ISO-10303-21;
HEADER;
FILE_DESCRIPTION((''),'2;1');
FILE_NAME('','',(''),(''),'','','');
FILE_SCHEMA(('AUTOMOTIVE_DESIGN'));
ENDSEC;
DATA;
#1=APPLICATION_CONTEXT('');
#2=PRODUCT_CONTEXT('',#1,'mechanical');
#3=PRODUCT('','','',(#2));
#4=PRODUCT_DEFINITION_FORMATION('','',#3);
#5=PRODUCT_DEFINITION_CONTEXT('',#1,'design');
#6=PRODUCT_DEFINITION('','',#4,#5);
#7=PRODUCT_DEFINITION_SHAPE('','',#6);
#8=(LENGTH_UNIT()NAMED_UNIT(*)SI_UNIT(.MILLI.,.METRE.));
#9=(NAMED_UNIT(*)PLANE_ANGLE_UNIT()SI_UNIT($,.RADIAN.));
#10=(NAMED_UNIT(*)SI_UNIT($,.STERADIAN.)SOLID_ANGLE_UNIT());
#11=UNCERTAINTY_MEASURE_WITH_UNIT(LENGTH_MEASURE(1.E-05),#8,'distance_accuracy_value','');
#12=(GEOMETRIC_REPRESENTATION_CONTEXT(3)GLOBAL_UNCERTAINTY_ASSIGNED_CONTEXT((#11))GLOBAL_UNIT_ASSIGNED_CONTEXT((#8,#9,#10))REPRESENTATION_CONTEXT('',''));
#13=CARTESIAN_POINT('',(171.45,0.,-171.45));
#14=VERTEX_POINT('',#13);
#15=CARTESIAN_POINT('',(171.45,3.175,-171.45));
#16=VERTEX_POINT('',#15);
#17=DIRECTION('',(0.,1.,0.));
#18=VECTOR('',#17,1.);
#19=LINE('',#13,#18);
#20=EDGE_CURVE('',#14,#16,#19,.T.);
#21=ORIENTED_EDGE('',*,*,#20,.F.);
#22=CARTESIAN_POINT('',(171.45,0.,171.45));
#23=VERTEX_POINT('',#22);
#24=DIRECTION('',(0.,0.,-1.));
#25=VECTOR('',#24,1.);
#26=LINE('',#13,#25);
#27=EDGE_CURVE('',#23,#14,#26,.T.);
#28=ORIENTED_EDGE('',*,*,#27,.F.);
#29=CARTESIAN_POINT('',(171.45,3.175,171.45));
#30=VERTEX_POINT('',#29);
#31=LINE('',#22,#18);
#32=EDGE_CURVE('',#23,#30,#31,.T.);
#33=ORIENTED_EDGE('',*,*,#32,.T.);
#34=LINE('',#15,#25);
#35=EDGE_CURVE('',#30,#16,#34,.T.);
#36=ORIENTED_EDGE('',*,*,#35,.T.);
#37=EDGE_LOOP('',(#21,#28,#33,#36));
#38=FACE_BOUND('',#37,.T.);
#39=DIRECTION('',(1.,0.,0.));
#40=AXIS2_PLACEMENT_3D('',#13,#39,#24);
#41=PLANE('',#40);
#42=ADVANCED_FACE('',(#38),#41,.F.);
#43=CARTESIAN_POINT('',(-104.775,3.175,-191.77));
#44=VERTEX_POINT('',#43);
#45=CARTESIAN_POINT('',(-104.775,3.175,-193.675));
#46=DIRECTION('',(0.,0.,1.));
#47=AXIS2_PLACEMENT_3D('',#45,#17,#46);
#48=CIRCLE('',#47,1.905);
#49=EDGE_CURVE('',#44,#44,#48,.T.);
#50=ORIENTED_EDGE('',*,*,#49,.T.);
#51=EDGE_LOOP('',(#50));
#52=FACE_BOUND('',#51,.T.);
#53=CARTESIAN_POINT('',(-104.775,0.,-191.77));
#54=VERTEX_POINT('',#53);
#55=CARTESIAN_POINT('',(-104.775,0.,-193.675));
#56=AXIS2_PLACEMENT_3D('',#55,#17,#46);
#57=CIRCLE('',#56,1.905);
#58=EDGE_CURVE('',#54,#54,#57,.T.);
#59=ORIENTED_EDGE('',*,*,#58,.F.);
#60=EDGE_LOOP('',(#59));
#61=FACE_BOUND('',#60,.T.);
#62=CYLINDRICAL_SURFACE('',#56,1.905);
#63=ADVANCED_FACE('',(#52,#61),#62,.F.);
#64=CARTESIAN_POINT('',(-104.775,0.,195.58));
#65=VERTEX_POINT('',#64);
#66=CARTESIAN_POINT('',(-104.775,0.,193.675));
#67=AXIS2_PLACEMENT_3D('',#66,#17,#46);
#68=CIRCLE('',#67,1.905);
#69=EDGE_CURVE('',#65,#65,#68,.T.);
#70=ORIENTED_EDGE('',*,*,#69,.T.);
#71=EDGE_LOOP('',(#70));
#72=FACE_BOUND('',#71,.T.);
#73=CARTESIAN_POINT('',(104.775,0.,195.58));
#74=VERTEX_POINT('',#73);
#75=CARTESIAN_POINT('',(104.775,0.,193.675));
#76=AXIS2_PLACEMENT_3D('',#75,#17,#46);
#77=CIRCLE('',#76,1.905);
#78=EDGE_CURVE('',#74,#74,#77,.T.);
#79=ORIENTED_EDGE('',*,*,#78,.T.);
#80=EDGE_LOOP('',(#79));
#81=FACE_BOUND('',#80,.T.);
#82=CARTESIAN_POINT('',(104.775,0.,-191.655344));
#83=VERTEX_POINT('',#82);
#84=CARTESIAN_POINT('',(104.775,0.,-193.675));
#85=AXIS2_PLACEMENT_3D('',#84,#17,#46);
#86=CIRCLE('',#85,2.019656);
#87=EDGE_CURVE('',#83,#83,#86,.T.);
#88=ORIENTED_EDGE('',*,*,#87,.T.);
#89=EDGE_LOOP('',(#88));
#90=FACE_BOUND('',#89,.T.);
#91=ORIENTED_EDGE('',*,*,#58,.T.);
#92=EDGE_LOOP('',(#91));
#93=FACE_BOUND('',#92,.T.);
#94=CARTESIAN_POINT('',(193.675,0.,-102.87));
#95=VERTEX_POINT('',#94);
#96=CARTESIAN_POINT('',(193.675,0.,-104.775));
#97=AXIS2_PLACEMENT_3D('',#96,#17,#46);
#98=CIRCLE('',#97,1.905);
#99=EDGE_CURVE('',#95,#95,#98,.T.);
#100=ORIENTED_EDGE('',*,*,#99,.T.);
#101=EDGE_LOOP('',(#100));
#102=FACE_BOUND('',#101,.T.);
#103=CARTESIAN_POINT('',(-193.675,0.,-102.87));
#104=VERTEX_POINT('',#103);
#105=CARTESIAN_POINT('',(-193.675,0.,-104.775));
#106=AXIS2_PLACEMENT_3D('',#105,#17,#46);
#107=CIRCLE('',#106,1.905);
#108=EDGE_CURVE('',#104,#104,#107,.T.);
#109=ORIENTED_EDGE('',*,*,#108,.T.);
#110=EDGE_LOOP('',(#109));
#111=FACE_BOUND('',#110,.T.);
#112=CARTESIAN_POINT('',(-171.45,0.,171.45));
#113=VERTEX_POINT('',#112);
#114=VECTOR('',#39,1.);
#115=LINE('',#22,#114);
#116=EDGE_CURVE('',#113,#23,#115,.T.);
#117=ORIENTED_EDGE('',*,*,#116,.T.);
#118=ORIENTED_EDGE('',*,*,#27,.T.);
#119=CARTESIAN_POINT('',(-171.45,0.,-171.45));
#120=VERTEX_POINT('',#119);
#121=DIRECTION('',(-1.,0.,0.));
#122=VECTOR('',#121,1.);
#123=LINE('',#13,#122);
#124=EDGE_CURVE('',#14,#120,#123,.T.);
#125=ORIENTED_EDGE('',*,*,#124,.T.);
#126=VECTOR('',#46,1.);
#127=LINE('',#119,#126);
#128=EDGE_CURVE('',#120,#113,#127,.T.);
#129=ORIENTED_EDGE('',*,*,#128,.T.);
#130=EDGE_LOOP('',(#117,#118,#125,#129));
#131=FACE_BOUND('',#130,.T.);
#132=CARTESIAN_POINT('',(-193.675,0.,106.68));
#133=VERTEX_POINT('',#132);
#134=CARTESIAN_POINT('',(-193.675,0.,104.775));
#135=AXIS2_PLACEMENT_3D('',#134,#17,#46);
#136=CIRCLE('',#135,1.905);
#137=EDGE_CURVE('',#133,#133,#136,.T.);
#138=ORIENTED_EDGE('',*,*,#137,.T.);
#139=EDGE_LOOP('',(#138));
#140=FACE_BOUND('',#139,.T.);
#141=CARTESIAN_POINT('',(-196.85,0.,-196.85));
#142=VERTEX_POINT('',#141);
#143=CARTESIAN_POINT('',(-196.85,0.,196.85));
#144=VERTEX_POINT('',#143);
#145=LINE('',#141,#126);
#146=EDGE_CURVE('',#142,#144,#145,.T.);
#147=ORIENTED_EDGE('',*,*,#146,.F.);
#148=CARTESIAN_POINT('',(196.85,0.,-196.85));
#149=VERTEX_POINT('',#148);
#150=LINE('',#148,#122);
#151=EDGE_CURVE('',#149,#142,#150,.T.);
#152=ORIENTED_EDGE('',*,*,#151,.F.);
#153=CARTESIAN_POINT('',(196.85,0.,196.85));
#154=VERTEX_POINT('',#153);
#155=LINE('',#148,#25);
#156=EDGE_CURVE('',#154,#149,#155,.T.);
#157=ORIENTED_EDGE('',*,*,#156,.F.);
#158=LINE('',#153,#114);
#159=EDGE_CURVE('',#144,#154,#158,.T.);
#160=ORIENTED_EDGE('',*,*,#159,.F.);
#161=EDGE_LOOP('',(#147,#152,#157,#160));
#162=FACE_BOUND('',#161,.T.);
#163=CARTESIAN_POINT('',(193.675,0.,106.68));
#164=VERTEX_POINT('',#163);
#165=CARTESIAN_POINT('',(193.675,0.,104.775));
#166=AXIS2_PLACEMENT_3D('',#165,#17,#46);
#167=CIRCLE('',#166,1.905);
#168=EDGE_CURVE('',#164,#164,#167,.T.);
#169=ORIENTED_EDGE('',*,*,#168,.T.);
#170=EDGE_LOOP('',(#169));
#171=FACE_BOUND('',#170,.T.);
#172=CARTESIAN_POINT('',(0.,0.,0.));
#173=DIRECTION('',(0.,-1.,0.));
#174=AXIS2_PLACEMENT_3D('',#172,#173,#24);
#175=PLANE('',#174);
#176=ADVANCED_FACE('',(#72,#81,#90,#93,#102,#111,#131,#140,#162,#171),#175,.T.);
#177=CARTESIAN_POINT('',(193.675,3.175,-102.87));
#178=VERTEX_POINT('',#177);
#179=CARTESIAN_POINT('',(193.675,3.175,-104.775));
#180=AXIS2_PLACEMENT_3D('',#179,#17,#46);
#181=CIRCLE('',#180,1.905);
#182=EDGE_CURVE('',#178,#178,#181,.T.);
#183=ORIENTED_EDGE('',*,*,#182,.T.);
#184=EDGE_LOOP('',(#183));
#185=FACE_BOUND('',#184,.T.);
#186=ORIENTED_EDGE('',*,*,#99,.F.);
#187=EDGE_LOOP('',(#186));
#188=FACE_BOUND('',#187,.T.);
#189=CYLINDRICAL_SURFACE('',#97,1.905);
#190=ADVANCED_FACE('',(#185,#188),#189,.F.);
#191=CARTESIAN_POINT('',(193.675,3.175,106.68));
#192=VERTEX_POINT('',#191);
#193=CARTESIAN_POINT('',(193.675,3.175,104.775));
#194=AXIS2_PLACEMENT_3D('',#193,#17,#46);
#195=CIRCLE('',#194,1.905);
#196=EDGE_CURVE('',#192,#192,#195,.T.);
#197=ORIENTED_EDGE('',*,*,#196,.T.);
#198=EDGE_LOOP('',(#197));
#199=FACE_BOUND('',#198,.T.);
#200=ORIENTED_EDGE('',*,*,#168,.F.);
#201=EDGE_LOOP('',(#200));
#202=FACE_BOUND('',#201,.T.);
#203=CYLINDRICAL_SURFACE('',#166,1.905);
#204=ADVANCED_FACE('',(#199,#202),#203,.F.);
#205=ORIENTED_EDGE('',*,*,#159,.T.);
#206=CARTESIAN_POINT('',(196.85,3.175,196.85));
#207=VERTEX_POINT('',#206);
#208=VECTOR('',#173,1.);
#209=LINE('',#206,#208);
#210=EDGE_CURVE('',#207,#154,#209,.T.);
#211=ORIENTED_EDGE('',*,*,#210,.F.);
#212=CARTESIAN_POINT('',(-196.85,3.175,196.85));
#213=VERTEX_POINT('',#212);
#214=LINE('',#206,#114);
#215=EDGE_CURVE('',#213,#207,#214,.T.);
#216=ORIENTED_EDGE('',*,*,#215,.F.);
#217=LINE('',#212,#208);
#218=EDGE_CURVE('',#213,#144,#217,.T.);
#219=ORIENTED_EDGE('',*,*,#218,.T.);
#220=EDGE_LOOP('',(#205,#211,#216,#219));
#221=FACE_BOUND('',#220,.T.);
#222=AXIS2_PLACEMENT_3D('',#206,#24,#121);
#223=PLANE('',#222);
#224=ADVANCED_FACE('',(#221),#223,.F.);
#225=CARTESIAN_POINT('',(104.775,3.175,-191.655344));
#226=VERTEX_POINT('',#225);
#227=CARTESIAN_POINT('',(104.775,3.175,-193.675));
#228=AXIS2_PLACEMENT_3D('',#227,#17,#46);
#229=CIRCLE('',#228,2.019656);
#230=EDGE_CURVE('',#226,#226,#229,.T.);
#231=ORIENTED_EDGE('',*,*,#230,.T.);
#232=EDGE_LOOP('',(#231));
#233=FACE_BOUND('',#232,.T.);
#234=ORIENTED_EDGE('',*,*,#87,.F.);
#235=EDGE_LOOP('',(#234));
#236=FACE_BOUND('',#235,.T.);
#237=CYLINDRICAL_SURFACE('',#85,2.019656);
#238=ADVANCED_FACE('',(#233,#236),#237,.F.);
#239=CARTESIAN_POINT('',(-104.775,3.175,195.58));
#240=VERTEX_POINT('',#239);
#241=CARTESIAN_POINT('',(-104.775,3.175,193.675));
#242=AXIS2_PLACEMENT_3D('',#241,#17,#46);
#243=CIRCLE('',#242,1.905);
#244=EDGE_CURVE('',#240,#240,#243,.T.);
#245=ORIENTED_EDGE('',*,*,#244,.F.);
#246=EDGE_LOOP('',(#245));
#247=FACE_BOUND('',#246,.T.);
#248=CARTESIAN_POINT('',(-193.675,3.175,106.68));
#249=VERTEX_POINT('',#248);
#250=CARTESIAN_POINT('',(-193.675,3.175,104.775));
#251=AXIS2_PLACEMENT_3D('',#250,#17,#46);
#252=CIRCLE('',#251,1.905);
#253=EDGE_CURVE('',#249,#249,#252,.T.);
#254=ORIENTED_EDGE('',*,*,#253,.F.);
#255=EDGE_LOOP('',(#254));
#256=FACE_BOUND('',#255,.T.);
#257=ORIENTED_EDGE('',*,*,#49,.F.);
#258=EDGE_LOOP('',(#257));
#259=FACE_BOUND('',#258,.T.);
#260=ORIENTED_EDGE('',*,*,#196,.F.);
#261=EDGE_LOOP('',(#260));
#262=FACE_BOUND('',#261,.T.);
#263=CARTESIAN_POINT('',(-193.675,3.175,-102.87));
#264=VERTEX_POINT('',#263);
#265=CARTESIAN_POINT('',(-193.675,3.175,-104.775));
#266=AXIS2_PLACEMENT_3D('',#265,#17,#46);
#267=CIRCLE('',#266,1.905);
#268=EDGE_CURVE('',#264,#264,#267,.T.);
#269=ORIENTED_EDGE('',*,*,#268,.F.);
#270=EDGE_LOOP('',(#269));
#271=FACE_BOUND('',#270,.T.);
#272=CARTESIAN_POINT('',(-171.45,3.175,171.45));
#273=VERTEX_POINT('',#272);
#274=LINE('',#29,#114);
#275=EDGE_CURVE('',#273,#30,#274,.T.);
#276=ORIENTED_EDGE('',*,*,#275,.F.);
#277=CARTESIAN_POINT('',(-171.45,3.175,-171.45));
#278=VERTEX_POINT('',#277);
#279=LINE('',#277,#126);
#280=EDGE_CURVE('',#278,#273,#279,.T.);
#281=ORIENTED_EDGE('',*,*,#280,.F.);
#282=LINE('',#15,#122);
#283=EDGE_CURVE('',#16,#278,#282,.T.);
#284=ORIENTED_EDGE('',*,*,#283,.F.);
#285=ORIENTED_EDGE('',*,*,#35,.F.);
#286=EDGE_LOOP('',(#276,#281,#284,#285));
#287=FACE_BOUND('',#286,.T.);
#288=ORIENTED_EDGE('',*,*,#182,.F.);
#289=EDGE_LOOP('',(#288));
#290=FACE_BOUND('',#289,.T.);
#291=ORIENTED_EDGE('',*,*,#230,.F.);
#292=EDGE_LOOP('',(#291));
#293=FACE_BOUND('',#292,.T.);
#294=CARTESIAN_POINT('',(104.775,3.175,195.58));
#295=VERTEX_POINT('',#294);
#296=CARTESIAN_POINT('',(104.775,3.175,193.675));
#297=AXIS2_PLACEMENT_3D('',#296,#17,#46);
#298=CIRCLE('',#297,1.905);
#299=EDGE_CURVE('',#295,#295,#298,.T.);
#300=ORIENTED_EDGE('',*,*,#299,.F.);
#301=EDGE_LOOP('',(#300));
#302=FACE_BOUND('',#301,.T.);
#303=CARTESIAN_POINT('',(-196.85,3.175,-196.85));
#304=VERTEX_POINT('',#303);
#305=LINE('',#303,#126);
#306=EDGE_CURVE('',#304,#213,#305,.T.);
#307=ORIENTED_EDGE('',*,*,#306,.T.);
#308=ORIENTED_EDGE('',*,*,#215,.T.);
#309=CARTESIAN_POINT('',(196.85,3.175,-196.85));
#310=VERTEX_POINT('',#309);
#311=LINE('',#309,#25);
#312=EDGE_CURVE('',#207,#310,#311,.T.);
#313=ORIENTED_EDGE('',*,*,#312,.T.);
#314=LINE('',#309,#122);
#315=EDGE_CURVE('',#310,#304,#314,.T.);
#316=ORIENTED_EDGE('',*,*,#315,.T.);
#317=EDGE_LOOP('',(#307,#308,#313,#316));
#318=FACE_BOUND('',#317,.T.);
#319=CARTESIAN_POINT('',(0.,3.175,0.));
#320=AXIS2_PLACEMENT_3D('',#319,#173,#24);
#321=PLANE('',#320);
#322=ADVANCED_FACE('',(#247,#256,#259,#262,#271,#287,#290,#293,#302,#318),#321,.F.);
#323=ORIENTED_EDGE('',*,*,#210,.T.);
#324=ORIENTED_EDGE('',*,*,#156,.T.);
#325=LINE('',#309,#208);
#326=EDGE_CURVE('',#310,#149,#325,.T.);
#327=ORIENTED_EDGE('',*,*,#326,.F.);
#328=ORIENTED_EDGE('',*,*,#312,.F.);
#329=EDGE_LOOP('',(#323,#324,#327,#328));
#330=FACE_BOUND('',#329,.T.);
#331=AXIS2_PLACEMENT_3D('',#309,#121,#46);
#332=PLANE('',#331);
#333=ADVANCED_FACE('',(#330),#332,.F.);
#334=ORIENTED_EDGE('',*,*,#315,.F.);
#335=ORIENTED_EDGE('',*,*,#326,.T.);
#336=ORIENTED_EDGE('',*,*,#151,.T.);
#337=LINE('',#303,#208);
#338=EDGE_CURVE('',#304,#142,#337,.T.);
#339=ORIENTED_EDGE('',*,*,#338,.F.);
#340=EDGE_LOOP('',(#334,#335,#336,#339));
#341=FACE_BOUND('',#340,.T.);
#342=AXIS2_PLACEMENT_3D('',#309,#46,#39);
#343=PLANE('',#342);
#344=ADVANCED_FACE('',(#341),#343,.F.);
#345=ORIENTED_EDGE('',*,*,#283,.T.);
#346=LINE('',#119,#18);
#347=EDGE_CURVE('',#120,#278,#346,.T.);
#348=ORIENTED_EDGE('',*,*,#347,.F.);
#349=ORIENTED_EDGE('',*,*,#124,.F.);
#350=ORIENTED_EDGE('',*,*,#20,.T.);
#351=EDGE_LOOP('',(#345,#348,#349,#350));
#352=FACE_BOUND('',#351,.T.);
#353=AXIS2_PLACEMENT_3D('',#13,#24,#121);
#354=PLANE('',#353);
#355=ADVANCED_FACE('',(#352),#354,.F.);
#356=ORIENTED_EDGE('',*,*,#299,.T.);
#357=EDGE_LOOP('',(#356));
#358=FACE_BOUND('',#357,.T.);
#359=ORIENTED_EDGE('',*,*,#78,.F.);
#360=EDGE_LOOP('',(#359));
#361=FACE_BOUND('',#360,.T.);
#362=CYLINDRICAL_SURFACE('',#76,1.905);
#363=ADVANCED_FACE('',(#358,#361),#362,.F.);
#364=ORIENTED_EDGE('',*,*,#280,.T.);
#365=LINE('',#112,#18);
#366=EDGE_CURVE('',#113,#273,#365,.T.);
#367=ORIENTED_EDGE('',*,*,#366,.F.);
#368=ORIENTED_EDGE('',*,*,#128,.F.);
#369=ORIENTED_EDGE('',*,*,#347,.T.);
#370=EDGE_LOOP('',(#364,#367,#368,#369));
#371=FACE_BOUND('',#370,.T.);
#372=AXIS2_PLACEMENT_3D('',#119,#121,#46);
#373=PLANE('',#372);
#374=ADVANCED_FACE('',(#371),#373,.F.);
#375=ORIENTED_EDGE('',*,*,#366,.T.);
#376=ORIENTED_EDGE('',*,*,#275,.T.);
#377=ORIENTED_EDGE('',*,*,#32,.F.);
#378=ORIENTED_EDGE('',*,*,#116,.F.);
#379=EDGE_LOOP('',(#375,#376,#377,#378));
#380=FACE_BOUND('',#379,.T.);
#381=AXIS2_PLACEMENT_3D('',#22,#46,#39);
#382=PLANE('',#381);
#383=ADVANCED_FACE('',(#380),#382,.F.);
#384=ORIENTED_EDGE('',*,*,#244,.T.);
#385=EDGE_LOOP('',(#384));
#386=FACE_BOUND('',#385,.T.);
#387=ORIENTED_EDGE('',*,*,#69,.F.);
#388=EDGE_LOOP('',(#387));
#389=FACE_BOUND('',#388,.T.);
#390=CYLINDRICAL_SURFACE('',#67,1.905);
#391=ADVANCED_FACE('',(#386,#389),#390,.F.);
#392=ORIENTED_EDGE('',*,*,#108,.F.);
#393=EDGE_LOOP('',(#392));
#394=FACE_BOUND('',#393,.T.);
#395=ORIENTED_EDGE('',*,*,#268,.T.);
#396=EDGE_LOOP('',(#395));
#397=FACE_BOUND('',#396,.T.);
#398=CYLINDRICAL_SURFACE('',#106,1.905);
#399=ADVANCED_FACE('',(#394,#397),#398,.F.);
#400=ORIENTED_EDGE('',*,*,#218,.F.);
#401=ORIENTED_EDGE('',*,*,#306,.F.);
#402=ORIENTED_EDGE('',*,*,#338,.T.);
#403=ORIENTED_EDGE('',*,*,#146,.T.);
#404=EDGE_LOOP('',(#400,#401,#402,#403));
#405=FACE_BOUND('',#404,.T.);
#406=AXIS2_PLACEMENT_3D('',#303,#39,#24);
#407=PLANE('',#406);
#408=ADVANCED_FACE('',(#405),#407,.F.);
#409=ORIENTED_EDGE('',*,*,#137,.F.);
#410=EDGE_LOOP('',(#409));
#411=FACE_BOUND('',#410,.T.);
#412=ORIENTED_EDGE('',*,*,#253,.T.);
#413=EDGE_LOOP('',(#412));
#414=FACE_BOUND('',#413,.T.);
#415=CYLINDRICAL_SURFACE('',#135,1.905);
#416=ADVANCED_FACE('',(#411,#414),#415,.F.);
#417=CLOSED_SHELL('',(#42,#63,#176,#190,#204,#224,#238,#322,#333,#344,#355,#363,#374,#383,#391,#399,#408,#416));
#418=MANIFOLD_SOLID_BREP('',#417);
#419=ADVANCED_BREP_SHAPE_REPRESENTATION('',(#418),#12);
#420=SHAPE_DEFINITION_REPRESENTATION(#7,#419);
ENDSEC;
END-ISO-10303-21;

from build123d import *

# Parameters (mm, degrees)
SKETCH1_W           = 393.7
SKETCH1_H           = 393.7
BOSS_EXTRUDE1_DEPTH = 3.175
SKETCH2_W           = 342.9
SKETCH2_H           = 342.9
CUT_EXTRUDE1_DEPTH  = 279.40604452
SKETCH3_R           = 1.905
SKETCH3_R_2         = 2.01965575
CUT_EXTRUDE2_DEPTH  = 279.40604452


with BuildPart() as part:
    # Sketch1 → Boss-Extrude1 (new body)
    with BuildSketch(Plane(origin=(0, 0, 0), x_dir=(1, 0, 0), z_dir=(0, 1, 0))):
        Rectangle(SKETCH1_W, SKETCH1_H)
    extrude(amount=BOSS_EXTRUDE1_DEPTH)

    # Sketch2 → Cut-Extrude1 (cut, through all)
    with BuildSketch(Plane(origin=(0, 3.175, 0), x_dir=(1, 0, 0), z_dir=(0, 1, 0))):
        Rectangle(SKETCH2_W, SKETCH2_H)
    extrude(amount=-CUT_EXTRUDE1_DEPTH, mode=Mode.SUBTRACT)

    # Sketch3 → Cut-Extrude2 (cut, through all)
    with BuildSketch(Plane(origin=(0, 3.175, 0), x_dir=(1, 0, 0), z_dir=(0, 1, 0))):
        with Locations(Location((-104.775, -193.675, 0), (0, 0, 270))):
            Circle(SKETCH3_R)
        with Locations(Location((104.775, -193.675, 0), (0, 0, 270))):
            Circle(SKETCH3_R)
        with Locations(Location((-193.675, -104.775, 0), (0, 0, 270))):
            Circle(SKETCH3_R)
        with Locations(Location((-193.675, 104.775, 0), (0, 0, 270))):
            Circle(SKETCH3_R)
        with Locations(Location((-104.775, 193.675, 0), (0, 0, 270))):
            Circle(SKETCH3_R)
        with Locations(Location((104.775, 193.675, 0), (0, 0, 270))):
            Circle(SKETCH3_R_2)
        with Locations(Location((193.675, 104.775, 0), (0, 0, 270))):
            Circle(SKETCH3_R)
        with Locations(Location((193.675, -104.775, 0), (0, 0, 270))):
            Circle(SKETCH3_R)
    extrude(amount=-CUT_EXTRUDE2_DEPTH, mode=Mode.SUBTRACT)


solid = part.part
